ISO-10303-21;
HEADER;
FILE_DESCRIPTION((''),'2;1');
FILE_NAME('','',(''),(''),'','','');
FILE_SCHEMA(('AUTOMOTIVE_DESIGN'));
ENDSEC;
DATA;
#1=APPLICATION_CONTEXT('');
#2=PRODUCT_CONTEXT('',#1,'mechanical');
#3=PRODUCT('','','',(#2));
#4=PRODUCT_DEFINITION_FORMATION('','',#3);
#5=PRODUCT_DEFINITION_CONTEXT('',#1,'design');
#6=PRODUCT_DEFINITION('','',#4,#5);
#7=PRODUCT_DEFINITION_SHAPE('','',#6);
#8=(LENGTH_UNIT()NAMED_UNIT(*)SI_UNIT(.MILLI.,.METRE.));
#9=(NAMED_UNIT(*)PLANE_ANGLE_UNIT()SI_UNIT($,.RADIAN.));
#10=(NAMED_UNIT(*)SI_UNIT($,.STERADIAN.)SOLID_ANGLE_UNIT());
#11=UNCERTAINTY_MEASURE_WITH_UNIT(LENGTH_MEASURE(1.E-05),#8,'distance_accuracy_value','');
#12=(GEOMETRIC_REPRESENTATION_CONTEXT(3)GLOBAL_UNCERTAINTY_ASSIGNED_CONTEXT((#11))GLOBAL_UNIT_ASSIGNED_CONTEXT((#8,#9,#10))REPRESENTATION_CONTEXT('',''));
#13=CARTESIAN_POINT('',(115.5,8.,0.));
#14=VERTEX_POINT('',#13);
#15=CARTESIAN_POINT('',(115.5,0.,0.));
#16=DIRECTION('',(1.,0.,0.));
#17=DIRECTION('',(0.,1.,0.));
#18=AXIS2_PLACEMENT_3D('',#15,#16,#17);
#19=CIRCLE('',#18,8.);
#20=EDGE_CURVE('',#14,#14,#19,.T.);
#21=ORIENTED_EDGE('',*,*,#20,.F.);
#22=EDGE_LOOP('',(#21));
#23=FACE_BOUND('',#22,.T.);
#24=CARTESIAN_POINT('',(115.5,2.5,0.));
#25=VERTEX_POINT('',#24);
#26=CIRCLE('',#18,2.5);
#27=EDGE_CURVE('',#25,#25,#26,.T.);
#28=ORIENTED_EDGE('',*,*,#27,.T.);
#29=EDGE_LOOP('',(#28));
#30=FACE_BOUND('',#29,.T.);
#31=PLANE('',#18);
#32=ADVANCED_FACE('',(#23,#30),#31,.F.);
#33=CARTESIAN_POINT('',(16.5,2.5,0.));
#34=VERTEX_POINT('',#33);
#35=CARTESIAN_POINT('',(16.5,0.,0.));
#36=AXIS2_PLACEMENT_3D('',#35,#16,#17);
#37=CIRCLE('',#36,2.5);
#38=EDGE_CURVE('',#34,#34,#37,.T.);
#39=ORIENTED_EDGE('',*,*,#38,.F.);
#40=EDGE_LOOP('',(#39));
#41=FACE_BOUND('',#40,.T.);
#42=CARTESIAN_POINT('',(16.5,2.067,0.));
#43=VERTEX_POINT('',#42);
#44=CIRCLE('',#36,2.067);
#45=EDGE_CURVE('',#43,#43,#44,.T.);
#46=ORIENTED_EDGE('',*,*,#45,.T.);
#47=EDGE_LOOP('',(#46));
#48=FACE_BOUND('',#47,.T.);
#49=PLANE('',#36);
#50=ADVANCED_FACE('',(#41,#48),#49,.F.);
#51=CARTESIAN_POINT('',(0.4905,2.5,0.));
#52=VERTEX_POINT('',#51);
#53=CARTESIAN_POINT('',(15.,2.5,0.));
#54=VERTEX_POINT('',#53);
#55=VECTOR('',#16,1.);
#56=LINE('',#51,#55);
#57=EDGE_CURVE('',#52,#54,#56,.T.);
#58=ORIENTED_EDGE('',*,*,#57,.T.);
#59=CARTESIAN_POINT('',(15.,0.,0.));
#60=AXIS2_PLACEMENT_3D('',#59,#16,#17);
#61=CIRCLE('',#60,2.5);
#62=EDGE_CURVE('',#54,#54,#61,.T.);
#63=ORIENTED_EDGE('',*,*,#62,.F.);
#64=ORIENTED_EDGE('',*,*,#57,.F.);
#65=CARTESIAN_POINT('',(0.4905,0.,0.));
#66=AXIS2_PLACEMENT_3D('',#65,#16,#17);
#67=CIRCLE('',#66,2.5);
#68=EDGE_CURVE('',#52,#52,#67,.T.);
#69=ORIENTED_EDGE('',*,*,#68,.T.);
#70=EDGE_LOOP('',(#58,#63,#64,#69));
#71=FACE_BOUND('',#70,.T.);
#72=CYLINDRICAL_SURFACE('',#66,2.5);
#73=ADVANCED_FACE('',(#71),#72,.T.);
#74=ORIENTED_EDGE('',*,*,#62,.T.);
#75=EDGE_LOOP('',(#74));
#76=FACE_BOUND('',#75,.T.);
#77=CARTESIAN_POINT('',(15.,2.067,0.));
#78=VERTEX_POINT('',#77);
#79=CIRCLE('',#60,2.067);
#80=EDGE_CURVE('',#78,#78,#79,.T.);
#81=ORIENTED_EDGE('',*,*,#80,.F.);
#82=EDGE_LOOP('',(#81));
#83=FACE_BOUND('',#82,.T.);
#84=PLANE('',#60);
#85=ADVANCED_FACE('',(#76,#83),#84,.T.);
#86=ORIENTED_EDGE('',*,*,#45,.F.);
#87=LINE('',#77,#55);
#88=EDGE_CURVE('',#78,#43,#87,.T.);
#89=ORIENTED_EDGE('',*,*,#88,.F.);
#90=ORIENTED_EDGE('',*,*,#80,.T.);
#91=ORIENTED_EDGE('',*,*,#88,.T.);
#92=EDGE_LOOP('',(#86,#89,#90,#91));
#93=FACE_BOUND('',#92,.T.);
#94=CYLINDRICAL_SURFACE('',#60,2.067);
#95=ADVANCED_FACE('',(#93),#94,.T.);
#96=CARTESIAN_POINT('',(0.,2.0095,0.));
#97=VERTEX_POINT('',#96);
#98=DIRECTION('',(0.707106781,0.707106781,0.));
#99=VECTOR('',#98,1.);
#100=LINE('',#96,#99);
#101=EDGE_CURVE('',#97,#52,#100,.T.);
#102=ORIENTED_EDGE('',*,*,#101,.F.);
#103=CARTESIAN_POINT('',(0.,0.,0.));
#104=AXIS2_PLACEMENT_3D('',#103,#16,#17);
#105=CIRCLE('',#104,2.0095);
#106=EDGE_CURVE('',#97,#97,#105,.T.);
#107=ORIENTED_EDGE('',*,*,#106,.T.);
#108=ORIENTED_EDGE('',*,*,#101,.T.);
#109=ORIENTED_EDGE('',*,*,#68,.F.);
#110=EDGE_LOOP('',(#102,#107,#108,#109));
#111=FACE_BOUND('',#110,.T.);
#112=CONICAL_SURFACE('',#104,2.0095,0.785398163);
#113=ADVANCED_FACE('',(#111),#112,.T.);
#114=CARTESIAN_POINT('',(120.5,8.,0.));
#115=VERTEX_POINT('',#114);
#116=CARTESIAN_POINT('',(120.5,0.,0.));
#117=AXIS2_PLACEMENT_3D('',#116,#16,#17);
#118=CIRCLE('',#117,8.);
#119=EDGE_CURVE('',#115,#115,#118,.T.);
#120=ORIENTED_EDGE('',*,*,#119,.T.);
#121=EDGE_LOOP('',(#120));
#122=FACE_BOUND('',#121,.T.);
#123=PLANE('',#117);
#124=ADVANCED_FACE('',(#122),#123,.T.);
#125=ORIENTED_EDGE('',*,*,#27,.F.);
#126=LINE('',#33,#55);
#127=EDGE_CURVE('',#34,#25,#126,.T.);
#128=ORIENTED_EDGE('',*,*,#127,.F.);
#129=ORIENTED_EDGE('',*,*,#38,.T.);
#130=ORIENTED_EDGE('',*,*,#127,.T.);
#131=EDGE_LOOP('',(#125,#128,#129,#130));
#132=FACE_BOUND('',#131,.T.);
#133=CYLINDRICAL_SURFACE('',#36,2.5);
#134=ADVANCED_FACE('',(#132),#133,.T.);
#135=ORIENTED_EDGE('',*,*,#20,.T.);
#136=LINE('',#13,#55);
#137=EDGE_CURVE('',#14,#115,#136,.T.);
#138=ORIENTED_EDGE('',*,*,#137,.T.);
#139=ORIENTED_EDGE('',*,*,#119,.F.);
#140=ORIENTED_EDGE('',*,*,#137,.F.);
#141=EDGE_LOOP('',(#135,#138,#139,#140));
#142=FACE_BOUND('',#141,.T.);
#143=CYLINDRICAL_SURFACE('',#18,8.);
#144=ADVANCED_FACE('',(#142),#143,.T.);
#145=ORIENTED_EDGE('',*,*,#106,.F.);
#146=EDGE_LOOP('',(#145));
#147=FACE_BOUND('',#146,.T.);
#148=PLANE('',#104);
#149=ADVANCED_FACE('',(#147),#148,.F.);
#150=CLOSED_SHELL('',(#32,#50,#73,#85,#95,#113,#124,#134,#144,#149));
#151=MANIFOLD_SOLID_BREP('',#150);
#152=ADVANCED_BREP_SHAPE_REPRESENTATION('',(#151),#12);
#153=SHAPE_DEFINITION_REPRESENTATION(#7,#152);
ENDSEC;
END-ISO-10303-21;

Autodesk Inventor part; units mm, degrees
sketch "Sketch_5" plane through (0, 0, 0) normal (0, 0, 1) x (1, 0, 0)
  line L0 (120.5, 0) -> (0, 0)
  line L1 (0, 0) -> (0, 2.0095)
  line L2 (0, 2.0095) -> (0.4905, 2.5)
  line L3 (0.4905, 2.5) -> (15, 2.5)
  line L4 (15, 2.5) -> (15, 2.067)
  line L5 (15, 2.067) -> (16.5, 2.067)
  line L6 (16.5, 2.067) -> (16.5, 2.5)
  line L7 (16.5, 2.5) -> (115.5, 2.5)
  line L8 (115.5, 2.5) -> (115.5, 8)
  line L9 (115.5, 8) -> (120.5, 8)
  line L10 (120.5, 8) -> (120.5, 0)
  line L11 (120.5, 0) -> (0, 0)
revolve "Revolution1" add sketch "Sketch_5" angle 360 about axis through (120.5, 0, 0) along (1, 0, 0)
thread "Thread1" size "M5x0.8" class "6g" standard "ISO Metric profile" full length
ref_plane "ROD_BA_XY" through (10, 0, 0) normal (-1, 0, 0) x (0, 0, -1)
ref_plane "ROD_BA_YZ" through (10, 0, 0) normal (0, 0, -1) x (0, -1, 0)
ref_plane "ROD_BA_ZX" through (10, 0, 0) normal (0, -1, 0) x (-1, 0, 0)
ref_plane "ROD_BODY_XY" through (28, 0, 0) normal (-1, 0, 0) x (0, 0, -1)
ref_plane "ROD_BODY_YZ" through (28, 0, 0) normal (0, 0, -1) x (0, -1, 0)
ref_plane "ROD_BODY_ZX" through (28, 0, 0) normal (0, -1, 0) x (-1, 0, 0)
ref_plane "rodnt1_XY" through (7.5, 0, 0) normal (1, 0, 0) x (0, 0, -1)
ref_plane "rodnt1_YZ" through (7.5, 0, 0) normal (0, 0, -1) x (0, 1, 0)
ref_plane "rodnt1_ZX" through (7.5, 0, 0) normal (0, 1, 0) x (1, 0, 0)
properties part number "CJ2B16-75Z_ROD"
